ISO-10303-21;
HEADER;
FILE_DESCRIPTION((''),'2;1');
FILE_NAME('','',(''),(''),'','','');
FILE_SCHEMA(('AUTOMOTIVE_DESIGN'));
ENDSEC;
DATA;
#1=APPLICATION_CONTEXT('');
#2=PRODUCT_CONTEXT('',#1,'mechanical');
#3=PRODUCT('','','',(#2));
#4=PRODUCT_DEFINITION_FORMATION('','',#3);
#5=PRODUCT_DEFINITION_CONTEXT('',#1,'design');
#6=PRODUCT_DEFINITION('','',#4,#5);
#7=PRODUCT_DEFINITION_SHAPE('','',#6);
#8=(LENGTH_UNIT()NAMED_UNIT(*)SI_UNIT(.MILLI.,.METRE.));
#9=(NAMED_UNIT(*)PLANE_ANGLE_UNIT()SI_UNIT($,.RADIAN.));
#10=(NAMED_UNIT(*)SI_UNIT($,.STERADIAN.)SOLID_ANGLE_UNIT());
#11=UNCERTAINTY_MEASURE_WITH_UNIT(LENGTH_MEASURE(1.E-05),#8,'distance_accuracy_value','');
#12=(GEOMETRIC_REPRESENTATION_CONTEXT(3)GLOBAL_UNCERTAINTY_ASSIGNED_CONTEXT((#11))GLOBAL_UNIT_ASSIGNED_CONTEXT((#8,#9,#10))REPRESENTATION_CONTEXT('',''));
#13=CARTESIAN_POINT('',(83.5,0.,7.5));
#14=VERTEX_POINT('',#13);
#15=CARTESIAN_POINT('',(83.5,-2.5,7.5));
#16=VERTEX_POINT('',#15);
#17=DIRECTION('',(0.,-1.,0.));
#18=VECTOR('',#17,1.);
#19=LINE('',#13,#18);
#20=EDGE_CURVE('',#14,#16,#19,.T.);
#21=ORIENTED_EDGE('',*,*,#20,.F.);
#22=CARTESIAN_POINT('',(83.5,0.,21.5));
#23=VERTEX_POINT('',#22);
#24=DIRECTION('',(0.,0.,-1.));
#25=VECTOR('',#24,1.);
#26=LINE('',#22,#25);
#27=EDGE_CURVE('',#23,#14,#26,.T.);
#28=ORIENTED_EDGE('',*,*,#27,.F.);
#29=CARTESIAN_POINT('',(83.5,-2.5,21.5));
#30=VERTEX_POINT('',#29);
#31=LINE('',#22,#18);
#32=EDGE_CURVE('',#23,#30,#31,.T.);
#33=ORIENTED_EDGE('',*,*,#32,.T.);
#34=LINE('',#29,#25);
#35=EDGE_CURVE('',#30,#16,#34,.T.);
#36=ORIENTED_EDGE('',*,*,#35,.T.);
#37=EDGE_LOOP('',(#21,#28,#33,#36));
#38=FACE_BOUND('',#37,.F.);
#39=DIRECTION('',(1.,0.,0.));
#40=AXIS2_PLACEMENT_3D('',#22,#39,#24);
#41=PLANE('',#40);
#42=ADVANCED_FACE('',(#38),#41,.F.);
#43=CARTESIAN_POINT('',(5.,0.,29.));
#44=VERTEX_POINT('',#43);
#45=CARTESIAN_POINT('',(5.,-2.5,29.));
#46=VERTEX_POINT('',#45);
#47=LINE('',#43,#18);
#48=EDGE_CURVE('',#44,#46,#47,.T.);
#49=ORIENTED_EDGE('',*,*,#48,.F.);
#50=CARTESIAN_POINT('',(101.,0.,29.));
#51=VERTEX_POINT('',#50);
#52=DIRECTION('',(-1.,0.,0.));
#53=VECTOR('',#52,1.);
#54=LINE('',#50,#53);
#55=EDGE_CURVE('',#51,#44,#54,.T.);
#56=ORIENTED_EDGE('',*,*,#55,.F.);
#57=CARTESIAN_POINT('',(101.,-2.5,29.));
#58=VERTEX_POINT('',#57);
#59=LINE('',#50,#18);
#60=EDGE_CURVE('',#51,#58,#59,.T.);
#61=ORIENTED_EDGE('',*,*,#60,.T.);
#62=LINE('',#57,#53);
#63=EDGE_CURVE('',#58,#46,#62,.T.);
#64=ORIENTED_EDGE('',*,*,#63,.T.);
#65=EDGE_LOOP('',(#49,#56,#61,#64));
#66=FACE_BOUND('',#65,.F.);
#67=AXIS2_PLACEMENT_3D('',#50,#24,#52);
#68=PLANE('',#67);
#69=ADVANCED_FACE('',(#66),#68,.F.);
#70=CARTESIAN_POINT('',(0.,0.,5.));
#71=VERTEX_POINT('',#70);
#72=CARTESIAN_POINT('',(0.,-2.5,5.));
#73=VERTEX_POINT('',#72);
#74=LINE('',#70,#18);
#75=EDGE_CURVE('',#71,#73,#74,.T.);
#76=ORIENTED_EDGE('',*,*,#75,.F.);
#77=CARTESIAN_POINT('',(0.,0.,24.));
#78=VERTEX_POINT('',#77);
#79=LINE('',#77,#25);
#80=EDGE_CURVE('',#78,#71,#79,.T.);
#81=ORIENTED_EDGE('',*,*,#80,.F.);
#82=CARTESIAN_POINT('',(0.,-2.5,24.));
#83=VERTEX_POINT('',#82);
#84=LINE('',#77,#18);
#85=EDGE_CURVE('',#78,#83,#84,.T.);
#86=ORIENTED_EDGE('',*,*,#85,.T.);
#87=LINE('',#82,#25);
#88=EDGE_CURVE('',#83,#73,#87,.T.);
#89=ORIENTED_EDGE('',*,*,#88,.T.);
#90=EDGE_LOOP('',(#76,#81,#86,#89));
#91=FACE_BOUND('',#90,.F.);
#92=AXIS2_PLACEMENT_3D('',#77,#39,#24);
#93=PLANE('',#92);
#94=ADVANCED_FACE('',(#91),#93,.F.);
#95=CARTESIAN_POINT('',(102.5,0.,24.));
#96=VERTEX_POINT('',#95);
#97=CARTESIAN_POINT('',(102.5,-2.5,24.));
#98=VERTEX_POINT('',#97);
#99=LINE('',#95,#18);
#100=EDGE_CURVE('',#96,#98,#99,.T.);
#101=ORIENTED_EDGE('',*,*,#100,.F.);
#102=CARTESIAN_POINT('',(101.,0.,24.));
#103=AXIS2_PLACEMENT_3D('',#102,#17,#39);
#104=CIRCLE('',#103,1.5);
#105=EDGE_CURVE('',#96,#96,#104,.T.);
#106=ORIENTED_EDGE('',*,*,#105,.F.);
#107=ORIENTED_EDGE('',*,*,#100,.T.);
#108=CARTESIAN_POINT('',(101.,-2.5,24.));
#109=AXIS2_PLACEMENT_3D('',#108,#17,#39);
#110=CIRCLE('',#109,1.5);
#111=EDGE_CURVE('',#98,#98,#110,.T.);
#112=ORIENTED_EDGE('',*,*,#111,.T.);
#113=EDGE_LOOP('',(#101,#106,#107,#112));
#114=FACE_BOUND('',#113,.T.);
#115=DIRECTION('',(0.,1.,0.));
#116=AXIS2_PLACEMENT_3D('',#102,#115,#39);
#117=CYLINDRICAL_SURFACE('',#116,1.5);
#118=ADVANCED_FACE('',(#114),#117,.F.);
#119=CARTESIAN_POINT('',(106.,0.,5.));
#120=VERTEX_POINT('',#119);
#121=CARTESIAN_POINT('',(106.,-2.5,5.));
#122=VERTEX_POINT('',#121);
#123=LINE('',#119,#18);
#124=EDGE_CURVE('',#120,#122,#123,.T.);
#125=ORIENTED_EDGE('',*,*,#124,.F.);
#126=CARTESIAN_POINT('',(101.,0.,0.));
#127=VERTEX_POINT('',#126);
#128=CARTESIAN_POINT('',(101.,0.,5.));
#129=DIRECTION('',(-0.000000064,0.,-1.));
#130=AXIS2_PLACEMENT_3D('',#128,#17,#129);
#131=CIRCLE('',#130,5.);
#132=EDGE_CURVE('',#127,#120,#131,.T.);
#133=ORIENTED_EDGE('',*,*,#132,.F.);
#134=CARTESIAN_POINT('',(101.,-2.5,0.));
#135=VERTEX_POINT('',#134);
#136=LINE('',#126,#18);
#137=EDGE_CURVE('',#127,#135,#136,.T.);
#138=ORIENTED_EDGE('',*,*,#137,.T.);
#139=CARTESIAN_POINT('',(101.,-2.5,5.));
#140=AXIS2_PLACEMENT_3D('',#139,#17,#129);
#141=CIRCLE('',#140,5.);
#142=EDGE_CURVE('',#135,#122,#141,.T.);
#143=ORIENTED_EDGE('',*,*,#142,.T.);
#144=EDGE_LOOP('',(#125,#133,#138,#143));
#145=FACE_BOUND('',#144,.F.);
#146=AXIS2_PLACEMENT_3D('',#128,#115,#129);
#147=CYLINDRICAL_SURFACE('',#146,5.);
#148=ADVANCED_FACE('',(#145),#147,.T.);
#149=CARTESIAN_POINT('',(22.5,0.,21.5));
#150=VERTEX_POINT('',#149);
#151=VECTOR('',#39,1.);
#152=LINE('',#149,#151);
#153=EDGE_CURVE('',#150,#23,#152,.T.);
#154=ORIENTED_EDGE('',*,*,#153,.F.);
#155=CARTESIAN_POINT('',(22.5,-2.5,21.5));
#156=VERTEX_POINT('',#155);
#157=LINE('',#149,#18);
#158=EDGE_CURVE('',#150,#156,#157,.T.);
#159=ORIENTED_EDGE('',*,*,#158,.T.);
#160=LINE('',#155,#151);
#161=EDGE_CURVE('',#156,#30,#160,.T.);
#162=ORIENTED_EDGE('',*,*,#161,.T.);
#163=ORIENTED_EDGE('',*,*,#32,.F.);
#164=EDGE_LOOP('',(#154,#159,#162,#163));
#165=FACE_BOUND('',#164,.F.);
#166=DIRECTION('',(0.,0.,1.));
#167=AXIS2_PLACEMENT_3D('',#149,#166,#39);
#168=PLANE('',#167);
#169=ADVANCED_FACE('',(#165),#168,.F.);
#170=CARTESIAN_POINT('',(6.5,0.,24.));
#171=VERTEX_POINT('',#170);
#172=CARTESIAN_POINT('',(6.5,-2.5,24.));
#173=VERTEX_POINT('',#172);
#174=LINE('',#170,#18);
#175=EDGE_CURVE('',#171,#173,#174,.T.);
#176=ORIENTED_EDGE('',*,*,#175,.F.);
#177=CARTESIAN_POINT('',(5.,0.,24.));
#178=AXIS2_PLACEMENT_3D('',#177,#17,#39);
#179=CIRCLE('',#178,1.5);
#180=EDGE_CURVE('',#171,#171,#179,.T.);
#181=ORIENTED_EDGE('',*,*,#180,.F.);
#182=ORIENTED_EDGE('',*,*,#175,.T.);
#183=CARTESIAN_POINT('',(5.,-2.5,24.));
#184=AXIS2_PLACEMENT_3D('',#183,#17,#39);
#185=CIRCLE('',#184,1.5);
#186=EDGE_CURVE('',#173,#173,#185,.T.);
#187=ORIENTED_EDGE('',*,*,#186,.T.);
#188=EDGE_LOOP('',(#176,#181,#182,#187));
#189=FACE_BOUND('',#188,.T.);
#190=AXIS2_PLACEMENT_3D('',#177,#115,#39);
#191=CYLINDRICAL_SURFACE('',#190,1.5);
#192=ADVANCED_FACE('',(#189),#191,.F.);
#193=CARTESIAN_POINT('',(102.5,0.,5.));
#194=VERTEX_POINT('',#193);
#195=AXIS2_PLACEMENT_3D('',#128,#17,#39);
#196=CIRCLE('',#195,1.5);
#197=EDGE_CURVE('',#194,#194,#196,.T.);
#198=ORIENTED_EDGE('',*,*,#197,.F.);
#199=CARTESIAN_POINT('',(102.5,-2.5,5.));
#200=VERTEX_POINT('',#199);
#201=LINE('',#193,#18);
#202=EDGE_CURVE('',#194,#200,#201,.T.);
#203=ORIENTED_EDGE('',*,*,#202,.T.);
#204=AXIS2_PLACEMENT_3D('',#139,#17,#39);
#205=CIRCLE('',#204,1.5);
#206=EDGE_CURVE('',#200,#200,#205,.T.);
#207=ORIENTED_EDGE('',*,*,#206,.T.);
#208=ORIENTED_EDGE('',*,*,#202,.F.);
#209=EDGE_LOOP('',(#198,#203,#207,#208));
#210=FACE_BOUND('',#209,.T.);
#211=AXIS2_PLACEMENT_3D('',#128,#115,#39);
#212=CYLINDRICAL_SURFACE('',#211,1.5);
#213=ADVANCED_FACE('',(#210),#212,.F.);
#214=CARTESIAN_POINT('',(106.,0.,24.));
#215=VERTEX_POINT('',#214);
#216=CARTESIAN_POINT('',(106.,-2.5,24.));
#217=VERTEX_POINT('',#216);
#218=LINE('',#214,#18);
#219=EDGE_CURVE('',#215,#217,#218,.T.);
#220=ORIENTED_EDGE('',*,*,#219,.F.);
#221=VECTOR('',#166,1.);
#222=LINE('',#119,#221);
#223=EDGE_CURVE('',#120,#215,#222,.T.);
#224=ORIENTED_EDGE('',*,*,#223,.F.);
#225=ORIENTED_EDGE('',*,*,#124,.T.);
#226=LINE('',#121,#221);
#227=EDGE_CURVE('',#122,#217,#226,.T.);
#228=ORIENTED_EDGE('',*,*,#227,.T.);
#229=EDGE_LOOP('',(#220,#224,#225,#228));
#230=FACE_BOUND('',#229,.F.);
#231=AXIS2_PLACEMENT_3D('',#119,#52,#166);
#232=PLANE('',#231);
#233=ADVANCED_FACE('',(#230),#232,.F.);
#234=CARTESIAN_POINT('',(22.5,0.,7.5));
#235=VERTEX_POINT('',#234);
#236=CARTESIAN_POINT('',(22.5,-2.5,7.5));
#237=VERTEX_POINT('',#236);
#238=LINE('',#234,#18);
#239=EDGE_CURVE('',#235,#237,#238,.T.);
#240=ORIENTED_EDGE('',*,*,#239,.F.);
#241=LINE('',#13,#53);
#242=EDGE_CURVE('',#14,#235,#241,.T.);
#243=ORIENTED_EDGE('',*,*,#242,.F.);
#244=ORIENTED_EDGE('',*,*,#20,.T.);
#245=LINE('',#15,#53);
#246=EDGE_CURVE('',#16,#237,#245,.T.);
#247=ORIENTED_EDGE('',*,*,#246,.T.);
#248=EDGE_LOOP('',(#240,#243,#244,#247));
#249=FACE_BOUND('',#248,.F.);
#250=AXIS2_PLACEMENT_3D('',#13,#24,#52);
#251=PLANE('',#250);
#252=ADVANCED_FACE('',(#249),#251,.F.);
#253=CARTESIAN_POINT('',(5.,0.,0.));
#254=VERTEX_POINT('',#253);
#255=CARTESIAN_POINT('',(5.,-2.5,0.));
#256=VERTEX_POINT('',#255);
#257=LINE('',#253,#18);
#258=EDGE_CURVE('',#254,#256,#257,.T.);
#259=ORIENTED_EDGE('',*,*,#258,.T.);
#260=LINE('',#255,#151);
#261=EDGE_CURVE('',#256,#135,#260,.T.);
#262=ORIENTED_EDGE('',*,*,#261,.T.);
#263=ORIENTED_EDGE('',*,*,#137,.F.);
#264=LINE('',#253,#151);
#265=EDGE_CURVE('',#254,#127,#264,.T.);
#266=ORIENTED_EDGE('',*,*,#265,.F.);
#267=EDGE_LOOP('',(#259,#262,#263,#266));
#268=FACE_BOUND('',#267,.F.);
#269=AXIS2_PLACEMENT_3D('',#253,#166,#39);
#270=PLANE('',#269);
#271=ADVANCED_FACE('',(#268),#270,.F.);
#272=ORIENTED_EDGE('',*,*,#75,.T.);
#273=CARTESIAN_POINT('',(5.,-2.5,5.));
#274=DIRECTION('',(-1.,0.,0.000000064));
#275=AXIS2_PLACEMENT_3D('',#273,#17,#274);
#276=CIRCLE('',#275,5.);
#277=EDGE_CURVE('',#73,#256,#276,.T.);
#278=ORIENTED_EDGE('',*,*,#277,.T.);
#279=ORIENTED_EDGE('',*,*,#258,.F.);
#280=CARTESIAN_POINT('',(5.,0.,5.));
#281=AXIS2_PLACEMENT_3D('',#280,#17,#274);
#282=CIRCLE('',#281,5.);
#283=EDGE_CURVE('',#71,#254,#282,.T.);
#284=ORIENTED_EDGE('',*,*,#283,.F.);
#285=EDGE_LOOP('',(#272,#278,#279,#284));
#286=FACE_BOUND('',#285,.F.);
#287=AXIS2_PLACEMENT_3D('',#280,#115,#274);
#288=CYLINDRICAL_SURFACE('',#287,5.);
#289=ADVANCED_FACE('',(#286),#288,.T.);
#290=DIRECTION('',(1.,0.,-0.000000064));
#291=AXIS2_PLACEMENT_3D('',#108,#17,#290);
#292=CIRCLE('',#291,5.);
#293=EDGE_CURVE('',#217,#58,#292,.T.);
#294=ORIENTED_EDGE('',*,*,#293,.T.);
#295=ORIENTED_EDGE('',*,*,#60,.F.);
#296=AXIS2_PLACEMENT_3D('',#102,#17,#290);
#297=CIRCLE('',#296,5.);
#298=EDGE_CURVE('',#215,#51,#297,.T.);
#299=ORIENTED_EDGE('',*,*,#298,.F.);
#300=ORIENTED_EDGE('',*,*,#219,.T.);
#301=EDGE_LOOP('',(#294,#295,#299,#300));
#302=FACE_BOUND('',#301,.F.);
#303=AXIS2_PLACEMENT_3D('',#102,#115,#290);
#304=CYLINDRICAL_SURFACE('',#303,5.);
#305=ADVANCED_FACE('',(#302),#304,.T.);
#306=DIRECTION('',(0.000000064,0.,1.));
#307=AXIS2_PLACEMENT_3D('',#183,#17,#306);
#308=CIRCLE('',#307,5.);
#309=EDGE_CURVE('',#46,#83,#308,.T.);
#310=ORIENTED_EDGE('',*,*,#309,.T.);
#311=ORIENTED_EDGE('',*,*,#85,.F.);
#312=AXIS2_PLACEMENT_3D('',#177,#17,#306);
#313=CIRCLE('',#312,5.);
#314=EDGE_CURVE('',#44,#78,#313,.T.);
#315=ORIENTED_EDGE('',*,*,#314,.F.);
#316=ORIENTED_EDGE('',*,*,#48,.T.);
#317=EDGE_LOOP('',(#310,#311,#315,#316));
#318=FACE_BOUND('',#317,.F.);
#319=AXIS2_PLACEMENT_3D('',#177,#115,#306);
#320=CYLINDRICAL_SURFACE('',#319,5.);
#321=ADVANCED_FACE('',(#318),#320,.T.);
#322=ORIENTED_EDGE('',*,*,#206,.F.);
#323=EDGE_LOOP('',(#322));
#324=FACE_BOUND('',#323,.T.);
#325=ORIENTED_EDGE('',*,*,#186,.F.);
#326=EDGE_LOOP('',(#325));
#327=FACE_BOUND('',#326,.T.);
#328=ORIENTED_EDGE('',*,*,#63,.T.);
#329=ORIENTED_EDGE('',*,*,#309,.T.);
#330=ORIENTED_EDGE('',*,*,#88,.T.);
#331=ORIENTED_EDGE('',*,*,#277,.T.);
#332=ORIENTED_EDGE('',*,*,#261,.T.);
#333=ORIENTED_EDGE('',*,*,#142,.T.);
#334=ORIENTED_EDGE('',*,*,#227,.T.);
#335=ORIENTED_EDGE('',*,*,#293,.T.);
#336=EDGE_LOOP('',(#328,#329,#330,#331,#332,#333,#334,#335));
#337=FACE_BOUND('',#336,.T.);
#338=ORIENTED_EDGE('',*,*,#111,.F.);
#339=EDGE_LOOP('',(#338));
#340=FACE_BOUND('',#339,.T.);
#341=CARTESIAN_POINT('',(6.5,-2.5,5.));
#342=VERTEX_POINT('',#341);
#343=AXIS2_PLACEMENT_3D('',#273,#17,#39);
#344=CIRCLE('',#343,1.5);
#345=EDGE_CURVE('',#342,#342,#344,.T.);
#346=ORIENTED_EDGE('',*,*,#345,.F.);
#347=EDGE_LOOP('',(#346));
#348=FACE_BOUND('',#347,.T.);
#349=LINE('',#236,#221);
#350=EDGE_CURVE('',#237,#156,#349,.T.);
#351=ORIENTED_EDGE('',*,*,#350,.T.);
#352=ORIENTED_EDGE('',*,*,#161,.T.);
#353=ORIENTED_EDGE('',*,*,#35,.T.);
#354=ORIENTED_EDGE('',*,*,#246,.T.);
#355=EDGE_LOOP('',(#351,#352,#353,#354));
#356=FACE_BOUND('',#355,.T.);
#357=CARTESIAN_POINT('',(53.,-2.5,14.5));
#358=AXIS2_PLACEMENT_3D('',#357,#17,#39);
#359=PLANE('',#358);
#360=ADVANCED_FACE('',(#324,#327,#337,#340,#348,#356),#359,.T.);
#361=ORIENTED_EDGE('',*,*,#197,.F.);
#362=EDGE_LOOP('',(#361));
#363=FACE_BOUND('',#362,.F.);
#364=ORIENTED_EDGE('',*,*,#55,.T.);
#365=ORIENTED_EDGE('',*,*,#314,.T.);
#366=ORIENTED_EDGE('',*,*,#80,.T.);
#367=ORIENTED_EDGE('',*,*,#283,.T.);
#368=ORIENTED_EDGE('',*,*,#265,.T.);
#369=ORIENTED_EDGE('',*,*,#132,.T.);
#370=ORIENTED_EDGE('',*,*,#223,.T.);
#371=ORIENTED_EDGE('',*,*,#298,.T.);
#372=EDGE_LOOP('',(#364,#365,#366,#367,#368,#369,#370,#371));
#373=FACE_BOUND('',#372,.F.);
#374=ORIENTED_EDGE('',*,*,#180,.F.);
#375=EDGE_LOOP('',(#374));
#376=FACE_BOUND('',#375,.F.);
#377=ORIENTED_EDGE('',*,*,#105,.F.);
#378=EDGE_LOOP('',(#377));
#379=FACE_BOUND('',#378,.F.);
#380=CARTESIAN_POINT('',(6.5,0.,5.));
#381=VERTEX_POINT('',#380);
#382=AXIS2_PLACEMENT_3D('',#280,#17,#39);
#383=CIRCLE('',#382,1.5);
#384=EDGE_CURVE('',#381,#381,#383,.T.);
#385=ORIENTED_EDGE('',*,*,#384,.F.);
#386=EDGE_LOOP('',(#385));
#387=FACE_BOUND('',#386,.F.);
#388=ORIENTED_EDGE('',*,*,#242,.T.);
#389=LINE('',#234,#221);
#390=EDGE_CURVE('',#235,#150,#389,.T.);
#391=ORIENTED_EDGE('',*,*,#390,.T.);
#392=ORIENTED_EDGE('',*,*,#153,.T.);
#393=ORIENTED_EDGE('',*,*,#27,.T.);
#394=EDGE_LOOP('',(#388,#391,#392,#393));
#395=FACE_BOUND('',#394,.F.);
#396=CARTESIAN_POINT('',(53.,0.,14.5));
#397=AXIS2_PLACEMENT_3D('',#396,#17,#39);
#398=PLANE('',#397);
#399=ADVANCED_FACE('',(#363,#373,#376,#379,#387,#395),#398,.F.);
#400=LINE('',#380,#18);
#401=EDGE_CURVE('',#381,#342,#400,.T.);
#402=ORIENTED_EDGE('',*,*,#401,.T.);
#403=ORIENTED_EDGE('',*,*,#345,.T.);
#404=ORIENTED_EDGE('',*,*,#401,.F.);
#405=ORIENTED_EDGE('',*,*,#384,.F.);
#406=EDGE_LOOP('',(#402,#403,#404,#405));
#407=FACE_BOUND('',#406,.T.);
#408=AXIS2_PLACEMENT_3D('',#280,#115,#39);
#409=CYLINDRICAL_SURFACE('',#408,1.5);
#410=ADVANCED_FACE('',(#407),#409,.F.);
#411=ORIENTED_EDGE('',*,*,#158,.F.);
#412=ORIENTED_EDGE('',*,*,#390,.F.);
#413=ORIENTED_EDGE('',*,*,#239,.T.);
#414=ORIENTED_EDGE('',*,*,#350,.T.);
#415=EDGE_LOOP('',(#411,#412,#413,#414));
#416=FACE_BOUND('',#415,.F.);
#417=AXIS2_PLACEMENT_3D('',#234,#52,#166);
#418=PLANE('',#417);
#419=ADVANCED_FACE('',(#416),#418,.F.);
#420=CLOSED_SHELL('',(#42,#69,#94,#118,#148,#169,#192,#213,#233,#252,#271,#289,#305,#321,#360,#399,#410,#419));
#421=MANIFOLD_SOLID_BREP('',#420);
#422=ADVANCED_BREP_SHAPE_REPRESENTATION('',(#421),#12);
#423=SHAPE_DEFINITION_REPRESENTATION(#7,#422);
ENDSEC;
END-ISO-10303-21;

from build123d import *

# Parameters (mm, degrees)
F0_R     = 1.5
F1_DEPTH = 2.5


with BuildPart() as f1:
    # F0 (on Front) → F1 (new body)
    with BuildSketch(Plane.XZ):
        with BuildLine():
            ThreePointArc((0, 5), (1.464466, 1.464466), (5, 0))
            Line((5, 0), (101, 0))
            ThreePointArc((101, 0), (104.535534, 1.464466), (106, 5))
            Line((106, 5), (106, 24))
            ThreePointArc((106, 24), (104.535534, 27.535534), (101, 29))
            Line((101, 29), (5, 29))
            ThreePointArc((5, 29), (1.464466, 27.535534), (0, 24))
            Line((0, 24), (0, 5))
        make_face()
        with Locations((5, 5)):
            Circle(F0_R, mode=Mode.SUBTRACT)
        with Locations((101, 5)):
            Circle(F0_R, mode=Mode.SUBTRACT)
        Polygon((34.978612, 7.5), (22.5, 7.5), (22.5, 21.5), (34.978612, 21.5), (71.021388, 21.5), (83.5, 21.5), (83.5, 7.5), (80.733522, 7.5), align=None, mode=Mode.SUBTRACT)
        with Locations((5, 24)):
            Circle(F0_R, mode=Mode.SUBTRACT)
        with Locations((101, 24)):
            Circle(F0_R, mode=Mode.SUBTRACT)
    extrude(amount=F1_DEPTH)


solid = f1.part
